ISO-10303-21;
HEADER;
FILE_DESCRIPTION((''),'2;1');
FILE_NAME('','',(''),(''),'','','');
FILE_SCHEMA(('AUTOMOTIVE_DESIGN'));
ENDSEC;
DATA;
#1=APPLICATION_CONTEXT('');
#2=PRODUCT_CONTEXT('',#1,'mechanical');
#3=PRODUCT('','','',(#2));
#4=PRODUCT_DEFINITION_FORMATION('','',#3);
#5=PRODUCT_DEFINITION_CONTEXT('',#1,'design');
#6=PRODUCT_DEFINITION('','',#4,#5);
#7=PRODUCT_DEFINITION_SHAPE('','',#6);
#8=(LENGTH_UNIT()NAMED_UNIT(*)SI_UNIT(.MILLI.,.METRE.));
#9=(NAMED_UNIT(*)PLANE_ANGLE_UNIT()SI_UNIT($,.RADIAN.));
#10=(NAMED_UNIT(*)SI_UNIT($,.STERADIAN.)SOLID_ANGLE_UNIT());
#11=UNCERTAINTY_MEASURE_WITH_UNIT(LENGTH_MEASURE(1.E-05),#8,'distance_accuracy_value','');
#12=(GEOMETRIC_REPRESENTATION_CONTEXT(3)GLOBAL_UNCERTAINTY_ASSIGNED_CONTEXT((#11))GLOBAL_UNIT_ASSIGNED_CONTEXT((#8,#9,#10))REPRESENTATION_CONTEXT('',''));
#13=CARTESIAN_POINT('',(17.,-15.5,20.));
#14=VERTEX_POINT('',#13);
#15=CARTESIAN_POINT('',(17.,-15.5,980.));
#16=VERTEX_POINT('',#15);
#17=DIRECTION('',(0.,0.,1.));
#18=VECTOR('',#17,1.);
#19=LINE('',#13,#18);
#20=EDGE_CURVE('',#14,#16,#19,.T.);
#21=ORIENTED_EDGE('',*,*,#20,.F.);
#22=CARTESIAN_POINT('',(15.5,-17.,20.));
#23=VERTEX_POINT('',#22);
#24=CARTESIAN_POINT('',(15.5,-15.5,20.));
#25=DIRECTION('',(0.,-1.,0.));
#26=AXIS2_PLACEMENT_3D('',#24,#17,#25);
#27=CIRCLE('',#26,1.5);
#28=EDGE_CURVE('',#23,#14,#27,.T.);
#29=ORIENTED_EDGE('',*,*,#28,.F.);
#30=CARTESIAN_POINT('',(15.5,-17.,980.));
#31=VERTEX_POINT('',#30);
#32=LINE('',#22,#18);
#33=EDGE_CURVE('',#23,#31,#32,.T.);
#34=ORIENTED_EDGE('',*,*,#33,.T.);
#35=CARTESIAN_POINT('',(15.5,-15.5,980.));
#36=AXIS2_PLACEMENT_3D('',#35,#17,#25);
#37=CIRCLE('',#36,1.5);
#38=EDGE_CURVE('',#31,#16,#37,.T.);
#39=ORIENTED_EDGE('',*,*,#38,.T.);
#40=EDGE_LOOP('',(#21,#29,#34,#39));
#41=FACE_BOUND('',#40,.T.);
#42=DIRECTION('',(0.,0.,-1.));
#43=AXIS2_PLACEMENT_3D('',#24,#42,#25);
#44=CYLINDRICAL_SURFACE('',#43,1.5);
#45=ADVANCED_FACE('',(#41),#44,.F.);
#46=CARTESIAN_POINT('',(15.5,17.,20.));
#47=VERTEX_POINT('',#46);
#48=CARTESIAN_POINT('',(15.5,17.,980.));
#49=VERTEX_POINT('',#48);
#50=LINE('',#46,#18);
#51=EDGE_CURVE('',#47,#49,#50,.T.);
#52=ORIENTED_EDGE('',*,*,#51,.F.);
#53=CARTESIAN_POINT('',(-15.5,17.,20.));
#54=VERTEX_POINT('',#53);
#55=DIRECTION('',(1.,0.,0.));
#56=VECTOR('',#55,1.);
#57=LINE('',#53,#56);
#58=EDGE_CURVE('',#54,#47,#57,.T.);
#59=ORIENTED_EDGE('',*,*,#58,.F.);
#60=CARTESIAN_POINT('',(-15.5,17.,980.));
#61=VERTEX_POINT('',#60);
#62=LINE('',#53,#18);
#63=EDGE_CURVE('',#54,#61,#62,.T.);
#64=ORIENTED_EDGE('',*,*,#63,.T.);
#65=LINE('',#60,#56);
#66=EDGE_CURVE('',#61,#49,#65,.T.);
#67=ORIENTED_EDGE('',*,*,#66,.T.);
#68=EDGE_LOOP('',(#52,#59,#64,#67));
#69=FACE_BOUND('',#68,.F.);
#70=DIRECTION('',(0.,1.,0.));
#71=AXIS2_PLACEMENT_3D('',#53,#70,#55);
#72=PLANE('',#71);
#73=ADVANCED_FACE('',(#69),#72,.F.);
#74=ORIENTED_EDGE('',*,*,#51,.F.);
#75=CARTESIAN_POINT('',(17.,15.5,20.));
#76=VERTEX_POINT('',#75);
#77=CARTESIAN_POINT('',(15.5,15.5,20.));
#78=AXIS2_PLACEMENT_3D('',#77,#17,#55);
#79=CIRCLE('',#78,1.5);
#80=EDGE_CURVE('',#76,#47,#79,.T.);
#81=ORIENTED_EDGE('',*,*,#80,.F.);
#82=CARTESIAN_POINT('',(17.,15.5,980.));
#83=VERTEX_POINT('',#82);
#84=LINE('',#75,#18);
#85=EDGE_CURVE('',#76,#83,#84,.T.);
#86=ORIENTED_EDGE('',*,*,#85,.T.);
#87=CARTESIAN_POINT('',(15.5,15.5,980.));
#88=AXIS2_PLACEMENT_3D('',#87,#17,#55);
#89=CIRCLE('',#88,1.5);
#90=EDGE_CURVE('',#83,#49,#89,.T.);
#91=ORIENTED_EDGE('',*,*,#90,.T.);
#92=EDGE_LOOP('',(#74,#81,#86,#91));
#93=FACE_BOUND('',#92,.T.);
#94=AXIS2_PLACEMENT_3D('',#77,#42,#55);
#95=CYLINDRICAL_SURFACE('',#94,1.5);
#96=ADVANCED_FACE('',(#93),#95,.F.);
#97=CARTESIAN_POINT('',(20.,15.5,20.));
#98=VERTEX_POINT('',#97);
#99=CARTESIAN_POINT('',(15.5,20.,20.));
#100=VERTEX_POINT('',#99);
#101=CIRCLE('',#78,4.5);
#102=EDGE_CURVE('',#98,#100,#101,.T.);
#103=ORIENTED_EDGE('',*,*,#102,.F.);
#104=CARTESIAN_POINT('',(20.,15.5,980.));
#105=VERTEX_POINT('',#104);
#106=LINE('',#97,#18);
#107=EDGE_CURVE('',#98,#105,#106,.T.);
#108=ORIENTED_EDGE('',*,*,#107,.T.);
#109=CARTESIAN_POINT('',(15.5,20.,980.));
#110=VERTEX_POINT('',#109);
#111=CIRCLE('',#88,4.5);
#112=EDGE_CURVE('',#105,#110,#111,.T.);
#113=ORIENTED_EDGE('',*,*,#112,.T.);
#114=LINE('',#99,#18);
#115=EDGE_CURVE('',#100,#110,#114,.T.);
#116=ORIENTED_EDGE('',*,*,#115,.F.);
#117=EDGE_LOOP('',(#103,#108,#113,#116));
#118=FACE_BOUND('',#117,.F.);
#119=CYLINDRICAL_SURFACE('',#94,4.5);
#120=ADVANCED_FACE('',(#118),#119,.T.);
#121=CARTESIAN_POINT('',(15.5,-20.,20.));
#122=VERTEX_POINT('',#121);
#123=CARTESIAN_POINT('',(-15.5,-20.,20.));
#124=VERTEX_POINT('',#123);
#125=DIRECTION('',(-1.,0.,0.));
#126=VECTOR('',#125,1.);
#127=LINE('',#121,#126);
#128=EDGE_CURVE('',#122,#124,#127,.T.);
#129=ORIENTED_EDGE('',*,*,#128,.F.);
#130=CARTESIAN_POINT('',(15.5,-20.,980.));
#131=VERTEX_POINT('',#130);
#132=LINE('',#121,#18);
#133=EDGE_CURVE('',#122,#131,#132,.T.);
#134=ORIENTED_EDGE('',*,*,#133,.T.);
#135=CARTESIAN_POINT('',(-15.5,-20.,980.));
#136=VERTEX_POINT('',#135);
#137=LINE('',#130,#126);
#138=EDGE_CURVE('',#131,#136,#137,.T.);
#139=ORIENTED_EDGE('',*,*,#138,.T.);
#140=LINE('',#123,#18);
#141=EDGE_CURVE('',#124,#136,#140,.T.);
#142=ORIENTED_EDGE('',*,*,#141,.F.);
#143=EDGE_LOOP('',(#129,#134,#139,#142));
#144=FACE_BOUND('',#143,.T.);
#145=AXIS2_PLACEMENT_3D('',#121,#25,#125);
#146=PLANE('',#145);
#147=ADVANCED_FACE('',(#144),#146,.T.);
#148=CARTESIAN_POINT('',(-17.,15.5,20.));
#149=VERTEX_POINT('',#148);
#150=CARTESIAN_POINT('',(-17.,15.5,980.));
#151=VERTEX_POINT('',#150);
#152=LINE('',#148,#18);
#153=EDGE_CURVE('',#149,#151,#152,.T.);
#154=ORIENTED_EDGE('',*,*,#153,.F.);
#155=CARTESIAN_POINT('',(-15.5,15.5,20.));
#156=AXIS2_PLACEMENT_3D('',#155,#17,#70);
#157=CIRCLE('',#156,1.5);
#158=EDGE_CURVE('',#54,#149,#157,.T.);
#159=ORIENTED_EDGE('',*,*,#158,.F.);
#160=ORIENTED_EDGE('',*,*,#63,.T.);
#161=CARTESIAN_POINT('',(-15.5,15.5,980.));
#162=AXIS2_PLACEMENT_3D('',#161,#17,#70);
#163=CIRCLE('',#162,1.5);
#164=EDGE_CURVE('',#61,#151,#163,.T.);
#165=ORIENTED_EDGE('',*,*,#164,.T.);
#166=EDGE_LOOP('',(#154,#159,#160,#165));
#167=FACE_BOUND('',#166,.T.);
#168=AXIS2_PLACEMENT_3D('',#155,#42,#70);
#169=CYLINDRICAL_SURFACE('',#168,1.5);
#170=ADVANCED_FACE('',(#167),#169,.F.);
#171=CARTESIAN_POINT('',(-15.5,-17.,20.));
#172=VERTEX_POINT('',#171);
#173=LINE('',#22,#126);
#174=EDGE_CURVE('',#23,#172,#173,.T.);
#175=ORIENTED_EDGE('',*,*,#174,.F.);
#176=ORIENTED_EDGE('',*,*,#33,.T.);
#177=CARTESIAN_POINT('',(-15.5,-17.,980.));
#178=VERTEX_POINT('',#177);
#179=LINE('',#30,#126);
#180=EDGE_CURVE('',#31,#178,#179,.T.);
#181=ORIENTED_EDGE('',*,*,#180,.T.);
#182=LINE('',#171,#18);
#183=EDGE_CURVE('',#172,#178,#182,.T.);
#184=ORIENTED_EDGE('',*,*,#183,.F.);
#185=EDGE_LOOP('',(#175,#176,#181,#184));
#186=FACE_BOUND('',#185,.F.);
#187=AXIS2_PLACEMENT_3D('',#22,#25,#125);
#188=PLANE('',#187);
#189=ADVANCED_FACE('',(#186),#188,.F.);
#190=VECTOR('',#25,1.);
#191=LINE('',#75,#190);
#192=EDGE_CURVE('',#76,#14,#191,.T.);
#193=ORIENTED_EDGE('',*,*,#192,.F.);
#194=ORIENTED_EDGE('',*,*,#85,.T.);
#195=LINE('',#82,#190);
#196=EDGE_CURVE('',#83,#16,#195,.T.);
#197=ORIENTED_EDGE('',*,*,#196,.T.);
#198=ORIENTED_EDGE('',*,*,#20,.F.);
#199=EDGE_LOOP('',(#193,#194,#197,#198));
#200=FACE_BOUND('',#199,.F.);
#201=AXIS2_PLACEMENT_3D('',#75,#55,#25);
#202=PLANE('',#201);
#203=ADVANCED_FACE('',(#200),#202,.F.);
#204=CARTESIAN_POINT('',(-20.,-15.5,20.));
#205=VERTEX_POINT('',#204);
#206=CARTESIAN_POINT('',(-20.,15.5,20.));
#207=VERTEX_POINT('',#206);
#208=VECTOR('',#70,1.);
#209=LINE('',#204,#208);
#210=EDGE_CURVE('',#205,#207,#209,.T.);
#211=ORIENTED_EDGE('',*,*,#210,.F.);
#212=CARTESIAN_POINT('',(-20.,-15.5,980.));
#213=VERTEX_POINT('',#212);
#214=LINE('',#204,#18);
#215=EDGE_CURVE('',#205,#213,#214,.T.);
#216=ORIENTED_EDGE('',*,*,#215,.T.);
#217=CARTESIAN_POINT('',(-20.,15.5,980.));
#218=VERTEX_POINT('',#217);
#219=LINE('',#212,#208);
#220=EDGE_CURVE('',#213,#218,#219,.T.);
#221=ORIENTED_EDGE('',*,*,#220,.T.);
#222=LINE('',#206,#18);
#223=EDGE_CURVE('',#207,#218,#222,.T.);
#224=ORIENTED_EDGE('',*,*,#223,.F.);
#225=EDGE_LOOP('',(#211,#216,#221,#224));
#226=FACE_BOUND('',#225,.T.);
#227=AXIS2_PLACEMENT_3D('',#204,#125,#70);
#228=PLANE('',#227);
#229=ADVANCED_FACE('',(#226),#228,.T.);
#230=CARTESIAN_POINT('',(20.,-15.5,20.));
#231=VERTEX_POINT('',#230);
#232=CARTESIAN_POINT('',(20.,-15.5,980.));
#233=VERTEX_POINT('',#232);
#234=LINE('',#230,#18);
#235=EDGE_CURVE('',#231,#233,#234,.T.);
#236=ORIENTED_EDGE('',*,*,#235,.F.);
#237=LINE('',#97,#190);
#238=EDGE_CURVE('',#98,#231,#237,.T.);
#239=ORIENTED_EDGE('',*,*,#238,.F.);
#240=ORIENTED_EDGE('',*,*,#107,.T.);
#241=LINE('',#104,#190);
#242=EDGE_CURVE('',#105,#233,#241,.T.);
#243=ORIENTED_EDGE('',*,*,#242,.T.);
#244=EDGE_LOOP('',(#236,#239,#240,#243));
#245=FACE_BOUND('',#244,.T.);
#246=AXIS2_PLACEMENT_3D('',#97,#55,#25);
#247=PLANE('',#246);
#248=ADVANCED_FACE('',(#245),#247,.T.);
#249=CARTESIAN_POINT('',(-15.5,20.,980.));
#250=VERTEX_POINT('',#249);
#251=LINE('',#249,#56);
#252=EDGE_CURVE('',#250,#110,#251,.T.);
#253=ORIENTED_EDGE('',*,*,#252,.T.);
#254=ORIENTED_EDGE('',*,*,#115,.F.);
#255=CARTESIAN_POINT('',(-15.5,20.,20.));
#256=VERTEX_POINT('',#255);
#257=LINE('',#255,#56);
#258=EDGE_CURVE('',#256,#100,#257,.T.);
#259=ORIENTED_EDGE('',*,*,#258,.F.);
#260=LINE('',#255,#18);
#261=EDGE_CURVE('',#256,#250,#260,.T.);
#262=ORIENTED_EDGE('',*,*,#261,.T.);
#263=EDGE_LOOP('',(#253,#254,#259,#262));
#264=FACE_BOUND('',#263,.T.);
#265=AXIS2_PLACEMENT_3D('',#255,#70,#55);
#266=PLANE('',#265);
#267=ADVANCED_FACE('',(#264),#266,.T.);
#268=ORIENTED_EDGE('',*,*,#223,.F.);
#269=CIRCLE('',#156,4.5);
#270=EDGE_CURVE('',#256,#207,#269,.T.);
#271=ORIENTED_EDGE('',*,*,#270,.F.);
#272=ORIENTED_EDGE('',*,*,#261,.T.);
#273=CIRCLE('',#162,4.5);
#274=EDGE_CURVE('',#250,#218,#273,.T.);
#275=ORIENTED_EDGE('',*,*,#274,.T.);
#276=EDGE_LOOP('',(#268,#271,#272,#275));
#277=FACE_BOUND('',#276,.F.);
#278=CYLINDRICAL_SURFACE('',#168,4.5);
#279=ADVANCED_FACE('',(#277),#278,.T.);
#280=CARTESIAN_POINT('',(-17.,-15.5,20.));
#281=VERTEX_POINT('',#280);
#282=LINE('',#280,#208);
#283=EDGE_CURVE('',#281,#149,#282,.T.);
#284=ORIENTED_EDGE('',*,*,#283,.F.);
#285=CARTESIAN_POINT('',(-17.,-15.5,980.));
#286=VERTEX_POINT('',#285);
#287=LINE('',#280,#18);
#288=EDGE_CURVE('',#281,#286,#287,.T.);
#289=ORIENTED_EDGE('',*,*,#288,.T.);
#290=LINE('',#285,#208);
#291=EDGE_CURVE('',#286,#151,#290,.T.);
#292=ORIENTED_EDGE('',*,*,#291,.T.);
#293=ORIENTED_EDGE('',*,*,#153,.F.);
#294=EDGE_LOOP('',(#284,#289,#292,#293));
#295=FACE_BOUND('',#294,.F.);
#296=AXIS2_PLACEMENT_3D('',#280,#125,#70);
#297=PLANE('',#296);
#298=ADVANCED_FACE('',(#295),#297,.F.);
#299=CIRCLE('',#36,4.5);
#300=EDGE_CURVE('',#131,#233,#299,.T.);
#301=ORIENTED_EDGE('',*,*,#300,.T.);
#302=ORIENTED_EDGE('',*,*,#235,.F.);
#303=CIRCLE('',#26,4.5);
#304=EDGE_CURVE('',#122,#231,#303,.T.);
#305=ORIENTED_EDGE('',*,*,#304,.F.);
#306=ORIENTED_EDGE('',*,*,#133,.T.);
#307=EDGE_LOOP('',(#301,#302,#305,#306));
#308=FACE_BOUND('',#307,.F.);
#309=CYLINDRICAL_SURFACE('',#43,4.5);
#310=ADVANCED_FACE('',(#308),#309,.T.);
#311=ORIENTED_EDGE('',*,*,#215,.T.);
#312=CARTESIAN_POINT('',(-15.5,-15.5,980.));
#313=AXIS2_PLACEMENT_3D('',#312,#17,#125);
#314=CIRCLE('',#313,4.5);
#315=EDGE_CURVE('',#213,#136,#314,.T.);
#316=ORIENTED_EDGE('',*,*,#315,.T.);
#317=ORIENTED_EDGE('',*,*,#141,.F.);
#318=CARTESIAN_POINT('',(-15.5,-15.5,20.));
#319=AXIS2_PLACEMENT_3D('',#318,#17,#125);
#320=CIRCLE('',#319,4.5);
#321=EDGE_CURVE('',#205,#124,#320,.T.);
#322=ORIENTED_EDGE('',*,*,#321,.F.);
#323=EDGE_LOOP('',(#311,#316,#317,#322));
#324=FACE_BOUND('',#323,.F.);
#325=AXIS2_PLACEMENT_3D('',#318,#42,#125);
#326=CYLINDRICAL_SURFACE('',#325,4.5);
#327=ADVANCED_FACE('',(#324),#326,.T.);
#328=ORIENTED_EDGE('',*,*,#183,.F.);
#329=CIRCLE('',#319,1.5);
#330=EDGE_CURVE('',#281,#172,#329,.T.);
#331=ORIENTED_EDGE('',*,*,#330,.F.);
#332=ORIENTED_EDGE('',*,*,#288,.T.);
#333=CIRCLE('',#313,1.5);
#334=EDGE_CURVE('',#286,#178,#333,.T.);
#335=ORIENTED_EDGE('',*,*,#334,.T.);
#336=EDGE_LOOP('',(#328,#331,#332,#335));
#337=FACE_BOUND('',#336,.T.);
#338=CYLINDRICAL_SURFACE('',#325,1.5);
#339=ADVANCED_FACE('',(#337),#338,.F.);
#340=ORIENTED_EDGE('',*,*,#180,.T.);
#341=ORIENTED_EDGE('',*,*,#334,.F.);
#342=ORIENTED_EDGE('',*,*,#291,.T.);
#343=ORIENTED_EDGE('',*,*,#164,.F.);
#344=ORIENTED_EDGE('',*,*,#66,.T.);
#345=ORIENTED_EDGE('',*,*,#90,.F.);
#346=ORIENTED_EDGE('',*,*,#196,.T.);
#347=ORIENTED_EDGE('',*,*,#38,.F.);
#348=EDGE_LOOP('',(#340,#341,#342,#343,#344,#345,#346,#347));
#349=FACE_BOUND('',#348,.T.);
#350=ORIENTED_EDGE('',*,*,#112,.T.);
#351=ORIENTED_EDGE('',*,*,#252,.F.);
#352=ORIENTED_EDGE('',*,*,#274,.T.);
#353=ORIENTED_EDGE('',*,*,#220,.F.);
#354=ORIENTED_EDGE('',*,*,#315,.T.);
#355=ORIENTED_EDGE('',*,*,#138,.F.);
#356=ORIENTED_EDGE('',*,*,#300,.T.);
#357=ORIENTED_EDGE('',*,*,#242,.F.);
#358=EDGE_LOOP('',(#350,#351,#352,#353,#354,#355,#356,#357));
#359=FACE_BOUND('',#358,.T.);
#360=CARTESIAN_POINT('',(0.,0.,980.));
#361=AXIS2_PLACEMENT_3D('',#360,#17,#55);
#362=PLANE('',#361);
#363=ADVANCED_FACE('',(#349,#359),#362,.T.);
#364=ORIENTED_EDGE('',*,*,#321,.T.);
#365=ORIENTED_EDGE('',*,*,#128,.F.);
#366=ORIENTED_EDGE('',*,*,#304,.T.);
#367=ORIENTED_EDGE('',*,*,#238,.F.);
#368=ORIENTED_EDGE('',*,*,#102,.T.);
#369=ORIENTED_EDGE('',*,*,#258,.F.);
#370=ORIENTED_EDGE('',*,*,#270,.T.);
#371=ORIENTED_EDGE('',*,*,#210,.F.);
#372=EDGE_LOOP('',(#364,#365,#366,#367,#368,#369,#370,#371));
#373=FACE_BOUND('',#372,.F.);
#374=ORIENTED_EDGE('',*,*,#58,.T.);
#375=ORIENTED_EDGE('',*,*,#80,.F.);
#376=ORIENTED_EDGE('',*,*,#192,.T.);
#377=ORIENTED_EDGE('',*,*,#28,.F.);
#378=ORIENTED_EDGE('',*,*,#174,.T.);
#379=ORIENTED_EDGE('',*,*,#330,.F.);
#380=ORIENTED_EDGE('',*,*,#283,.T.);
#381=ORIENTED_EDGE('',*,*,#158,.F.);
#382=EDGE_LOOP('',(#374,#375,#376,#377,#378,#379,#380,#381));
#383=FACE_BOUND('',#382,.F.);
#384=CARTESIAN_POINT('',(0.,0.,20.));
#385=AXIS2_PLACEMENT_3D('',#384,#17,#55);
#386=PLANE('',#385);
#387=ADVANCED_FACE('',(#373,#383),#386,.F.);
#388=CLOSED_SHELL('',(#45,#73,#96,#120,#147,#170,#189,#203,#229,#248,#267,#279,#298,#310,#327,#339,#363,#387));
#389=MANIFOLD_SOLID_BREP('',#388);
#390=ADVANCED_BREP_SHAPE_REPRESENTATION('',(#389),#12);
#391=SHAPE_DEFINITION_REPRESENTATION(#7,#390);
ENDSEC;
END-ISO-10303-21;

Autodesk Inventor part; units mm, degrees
ref_plane "Start Plane" through (0, 0, 20) normal (0, 0, 1) x (1, 0, 0)
ref_plane "End Plane" through (0, 0, 980) normal (0, 0, 1) x (1, 0, 0)
sketch "Sketch" plane through (0, 0, 0) normal (0, 0, 1) x (1, 0, 0)
  line L0 (-20, -15.5) -> (-20, 15.5)
  line L1 (-15.5, 20) -> (15.5, 20)
  line L2 (20, 15.5) -> (20, -15.5)
  line L3 (15.5, -20) -> (-15.5, -20)
  arc A0 (-20, -15.5) -> (-15.5, -20) centre (-15.5, -15.5) ccw
  arc A1 (-15.5, 20) -> (-20, 15.5) centre (-15.5, 15.5) ccw
  arc A2 (20, 15.5) -> (15.5, 20) centre (15.5, 15.5) ccw
  arc A3 (15.5, -20) -> (20, -15.5) centre (15.5, -15.5) ccw
  arc A4 (-15.5, 17) -> (-17, 15.5) centre (-15.5, 15.5) ccw
  line L4 (-15.5, 17) -> (15.5, 17)
  arc A5 (17, 15.5) -> (15.5, 17) centre (15.5, 15.5) ccw
  line L5 (17, 15.5) -> (17, -15.5)
  arc A6 (15.5, -17) -> (17, -15.5) centre (15.5, -15.5) ccw
  line L6 (15.5, -17) -> (-15.5, -17)
  arc A7 (-17, -15.5) -> (-15.5, -17) centre (-15.5, -15.5) ccw
  line L7 (-17, -15.5) -> (-17, 15.5)
  line L8 (0, 29.3048) -> (0, -29.3048) construction
  line L9 (-29.3048, 0) -> (29.3048, 0) construction
  dimension "d7" = 4.5
  dimension "d10" = 40
  dimension "d11" = 40
  dimension "d12" = 3
  dimension "d15" = 20
  dimension "d16" = 20
extrude "Body" add sketch "Sketch" along normal up to surface (960 mm away) from surface at 20
sketch "Sketch3" plane through (0, 0, 0) normal (0, 0, 1) x (1, 0, 0)
  line L0 (0, 0) -> (10, 0)
ref_plane "Work Plane3" through (0, 0, 0) normal (0, -1, 0) x (1, 0, 0)
ref_plane "Work Plane5" through (1200, 15.5, 20) normal (0, 0, -1) x (-1, 0, 0)
split "Split2" plane through (1200, 15.5, 20) removes the side toward (0, 0, -1)
ref_plane "Work Plane6" through (0, 15.5, 980) normal (0, 0, 1) x (1, 0, 0)
split "Split3" plane through (0, 15.5, 980) removes the side toward (0, 0, 1)
sketch "Sketch4" plane through (0, 0, 0) normal (0, -1, 0) x (1, 0, 0)
  line L0 (-2, 20) -> (12, 20) projected
  line L1 (-2, 980) -> (12, 980) projected
  dimension "d18" = 960
equation "\"d7\" = G_IR"
equation "\"d10\" = G_H"
equation "\"d11\" = G_W"
equation "\"d12\" = G_T"
equation "\"d15\" = 0.5 * d10"
equation "\"d16\" = 0.5 * d11"
equation "\"d3\" = G_L"
equation "\"G_W\" = 40"
equation "\"G_H\" = 40"
equation "\"G_T\" = 3"
equation "\"G_IR\" = 4.5"
equation "\"G_L\" = d18"
properties part number "ISO 12633-2 - 40x40x3 - 960" material "Steel, Mild"
